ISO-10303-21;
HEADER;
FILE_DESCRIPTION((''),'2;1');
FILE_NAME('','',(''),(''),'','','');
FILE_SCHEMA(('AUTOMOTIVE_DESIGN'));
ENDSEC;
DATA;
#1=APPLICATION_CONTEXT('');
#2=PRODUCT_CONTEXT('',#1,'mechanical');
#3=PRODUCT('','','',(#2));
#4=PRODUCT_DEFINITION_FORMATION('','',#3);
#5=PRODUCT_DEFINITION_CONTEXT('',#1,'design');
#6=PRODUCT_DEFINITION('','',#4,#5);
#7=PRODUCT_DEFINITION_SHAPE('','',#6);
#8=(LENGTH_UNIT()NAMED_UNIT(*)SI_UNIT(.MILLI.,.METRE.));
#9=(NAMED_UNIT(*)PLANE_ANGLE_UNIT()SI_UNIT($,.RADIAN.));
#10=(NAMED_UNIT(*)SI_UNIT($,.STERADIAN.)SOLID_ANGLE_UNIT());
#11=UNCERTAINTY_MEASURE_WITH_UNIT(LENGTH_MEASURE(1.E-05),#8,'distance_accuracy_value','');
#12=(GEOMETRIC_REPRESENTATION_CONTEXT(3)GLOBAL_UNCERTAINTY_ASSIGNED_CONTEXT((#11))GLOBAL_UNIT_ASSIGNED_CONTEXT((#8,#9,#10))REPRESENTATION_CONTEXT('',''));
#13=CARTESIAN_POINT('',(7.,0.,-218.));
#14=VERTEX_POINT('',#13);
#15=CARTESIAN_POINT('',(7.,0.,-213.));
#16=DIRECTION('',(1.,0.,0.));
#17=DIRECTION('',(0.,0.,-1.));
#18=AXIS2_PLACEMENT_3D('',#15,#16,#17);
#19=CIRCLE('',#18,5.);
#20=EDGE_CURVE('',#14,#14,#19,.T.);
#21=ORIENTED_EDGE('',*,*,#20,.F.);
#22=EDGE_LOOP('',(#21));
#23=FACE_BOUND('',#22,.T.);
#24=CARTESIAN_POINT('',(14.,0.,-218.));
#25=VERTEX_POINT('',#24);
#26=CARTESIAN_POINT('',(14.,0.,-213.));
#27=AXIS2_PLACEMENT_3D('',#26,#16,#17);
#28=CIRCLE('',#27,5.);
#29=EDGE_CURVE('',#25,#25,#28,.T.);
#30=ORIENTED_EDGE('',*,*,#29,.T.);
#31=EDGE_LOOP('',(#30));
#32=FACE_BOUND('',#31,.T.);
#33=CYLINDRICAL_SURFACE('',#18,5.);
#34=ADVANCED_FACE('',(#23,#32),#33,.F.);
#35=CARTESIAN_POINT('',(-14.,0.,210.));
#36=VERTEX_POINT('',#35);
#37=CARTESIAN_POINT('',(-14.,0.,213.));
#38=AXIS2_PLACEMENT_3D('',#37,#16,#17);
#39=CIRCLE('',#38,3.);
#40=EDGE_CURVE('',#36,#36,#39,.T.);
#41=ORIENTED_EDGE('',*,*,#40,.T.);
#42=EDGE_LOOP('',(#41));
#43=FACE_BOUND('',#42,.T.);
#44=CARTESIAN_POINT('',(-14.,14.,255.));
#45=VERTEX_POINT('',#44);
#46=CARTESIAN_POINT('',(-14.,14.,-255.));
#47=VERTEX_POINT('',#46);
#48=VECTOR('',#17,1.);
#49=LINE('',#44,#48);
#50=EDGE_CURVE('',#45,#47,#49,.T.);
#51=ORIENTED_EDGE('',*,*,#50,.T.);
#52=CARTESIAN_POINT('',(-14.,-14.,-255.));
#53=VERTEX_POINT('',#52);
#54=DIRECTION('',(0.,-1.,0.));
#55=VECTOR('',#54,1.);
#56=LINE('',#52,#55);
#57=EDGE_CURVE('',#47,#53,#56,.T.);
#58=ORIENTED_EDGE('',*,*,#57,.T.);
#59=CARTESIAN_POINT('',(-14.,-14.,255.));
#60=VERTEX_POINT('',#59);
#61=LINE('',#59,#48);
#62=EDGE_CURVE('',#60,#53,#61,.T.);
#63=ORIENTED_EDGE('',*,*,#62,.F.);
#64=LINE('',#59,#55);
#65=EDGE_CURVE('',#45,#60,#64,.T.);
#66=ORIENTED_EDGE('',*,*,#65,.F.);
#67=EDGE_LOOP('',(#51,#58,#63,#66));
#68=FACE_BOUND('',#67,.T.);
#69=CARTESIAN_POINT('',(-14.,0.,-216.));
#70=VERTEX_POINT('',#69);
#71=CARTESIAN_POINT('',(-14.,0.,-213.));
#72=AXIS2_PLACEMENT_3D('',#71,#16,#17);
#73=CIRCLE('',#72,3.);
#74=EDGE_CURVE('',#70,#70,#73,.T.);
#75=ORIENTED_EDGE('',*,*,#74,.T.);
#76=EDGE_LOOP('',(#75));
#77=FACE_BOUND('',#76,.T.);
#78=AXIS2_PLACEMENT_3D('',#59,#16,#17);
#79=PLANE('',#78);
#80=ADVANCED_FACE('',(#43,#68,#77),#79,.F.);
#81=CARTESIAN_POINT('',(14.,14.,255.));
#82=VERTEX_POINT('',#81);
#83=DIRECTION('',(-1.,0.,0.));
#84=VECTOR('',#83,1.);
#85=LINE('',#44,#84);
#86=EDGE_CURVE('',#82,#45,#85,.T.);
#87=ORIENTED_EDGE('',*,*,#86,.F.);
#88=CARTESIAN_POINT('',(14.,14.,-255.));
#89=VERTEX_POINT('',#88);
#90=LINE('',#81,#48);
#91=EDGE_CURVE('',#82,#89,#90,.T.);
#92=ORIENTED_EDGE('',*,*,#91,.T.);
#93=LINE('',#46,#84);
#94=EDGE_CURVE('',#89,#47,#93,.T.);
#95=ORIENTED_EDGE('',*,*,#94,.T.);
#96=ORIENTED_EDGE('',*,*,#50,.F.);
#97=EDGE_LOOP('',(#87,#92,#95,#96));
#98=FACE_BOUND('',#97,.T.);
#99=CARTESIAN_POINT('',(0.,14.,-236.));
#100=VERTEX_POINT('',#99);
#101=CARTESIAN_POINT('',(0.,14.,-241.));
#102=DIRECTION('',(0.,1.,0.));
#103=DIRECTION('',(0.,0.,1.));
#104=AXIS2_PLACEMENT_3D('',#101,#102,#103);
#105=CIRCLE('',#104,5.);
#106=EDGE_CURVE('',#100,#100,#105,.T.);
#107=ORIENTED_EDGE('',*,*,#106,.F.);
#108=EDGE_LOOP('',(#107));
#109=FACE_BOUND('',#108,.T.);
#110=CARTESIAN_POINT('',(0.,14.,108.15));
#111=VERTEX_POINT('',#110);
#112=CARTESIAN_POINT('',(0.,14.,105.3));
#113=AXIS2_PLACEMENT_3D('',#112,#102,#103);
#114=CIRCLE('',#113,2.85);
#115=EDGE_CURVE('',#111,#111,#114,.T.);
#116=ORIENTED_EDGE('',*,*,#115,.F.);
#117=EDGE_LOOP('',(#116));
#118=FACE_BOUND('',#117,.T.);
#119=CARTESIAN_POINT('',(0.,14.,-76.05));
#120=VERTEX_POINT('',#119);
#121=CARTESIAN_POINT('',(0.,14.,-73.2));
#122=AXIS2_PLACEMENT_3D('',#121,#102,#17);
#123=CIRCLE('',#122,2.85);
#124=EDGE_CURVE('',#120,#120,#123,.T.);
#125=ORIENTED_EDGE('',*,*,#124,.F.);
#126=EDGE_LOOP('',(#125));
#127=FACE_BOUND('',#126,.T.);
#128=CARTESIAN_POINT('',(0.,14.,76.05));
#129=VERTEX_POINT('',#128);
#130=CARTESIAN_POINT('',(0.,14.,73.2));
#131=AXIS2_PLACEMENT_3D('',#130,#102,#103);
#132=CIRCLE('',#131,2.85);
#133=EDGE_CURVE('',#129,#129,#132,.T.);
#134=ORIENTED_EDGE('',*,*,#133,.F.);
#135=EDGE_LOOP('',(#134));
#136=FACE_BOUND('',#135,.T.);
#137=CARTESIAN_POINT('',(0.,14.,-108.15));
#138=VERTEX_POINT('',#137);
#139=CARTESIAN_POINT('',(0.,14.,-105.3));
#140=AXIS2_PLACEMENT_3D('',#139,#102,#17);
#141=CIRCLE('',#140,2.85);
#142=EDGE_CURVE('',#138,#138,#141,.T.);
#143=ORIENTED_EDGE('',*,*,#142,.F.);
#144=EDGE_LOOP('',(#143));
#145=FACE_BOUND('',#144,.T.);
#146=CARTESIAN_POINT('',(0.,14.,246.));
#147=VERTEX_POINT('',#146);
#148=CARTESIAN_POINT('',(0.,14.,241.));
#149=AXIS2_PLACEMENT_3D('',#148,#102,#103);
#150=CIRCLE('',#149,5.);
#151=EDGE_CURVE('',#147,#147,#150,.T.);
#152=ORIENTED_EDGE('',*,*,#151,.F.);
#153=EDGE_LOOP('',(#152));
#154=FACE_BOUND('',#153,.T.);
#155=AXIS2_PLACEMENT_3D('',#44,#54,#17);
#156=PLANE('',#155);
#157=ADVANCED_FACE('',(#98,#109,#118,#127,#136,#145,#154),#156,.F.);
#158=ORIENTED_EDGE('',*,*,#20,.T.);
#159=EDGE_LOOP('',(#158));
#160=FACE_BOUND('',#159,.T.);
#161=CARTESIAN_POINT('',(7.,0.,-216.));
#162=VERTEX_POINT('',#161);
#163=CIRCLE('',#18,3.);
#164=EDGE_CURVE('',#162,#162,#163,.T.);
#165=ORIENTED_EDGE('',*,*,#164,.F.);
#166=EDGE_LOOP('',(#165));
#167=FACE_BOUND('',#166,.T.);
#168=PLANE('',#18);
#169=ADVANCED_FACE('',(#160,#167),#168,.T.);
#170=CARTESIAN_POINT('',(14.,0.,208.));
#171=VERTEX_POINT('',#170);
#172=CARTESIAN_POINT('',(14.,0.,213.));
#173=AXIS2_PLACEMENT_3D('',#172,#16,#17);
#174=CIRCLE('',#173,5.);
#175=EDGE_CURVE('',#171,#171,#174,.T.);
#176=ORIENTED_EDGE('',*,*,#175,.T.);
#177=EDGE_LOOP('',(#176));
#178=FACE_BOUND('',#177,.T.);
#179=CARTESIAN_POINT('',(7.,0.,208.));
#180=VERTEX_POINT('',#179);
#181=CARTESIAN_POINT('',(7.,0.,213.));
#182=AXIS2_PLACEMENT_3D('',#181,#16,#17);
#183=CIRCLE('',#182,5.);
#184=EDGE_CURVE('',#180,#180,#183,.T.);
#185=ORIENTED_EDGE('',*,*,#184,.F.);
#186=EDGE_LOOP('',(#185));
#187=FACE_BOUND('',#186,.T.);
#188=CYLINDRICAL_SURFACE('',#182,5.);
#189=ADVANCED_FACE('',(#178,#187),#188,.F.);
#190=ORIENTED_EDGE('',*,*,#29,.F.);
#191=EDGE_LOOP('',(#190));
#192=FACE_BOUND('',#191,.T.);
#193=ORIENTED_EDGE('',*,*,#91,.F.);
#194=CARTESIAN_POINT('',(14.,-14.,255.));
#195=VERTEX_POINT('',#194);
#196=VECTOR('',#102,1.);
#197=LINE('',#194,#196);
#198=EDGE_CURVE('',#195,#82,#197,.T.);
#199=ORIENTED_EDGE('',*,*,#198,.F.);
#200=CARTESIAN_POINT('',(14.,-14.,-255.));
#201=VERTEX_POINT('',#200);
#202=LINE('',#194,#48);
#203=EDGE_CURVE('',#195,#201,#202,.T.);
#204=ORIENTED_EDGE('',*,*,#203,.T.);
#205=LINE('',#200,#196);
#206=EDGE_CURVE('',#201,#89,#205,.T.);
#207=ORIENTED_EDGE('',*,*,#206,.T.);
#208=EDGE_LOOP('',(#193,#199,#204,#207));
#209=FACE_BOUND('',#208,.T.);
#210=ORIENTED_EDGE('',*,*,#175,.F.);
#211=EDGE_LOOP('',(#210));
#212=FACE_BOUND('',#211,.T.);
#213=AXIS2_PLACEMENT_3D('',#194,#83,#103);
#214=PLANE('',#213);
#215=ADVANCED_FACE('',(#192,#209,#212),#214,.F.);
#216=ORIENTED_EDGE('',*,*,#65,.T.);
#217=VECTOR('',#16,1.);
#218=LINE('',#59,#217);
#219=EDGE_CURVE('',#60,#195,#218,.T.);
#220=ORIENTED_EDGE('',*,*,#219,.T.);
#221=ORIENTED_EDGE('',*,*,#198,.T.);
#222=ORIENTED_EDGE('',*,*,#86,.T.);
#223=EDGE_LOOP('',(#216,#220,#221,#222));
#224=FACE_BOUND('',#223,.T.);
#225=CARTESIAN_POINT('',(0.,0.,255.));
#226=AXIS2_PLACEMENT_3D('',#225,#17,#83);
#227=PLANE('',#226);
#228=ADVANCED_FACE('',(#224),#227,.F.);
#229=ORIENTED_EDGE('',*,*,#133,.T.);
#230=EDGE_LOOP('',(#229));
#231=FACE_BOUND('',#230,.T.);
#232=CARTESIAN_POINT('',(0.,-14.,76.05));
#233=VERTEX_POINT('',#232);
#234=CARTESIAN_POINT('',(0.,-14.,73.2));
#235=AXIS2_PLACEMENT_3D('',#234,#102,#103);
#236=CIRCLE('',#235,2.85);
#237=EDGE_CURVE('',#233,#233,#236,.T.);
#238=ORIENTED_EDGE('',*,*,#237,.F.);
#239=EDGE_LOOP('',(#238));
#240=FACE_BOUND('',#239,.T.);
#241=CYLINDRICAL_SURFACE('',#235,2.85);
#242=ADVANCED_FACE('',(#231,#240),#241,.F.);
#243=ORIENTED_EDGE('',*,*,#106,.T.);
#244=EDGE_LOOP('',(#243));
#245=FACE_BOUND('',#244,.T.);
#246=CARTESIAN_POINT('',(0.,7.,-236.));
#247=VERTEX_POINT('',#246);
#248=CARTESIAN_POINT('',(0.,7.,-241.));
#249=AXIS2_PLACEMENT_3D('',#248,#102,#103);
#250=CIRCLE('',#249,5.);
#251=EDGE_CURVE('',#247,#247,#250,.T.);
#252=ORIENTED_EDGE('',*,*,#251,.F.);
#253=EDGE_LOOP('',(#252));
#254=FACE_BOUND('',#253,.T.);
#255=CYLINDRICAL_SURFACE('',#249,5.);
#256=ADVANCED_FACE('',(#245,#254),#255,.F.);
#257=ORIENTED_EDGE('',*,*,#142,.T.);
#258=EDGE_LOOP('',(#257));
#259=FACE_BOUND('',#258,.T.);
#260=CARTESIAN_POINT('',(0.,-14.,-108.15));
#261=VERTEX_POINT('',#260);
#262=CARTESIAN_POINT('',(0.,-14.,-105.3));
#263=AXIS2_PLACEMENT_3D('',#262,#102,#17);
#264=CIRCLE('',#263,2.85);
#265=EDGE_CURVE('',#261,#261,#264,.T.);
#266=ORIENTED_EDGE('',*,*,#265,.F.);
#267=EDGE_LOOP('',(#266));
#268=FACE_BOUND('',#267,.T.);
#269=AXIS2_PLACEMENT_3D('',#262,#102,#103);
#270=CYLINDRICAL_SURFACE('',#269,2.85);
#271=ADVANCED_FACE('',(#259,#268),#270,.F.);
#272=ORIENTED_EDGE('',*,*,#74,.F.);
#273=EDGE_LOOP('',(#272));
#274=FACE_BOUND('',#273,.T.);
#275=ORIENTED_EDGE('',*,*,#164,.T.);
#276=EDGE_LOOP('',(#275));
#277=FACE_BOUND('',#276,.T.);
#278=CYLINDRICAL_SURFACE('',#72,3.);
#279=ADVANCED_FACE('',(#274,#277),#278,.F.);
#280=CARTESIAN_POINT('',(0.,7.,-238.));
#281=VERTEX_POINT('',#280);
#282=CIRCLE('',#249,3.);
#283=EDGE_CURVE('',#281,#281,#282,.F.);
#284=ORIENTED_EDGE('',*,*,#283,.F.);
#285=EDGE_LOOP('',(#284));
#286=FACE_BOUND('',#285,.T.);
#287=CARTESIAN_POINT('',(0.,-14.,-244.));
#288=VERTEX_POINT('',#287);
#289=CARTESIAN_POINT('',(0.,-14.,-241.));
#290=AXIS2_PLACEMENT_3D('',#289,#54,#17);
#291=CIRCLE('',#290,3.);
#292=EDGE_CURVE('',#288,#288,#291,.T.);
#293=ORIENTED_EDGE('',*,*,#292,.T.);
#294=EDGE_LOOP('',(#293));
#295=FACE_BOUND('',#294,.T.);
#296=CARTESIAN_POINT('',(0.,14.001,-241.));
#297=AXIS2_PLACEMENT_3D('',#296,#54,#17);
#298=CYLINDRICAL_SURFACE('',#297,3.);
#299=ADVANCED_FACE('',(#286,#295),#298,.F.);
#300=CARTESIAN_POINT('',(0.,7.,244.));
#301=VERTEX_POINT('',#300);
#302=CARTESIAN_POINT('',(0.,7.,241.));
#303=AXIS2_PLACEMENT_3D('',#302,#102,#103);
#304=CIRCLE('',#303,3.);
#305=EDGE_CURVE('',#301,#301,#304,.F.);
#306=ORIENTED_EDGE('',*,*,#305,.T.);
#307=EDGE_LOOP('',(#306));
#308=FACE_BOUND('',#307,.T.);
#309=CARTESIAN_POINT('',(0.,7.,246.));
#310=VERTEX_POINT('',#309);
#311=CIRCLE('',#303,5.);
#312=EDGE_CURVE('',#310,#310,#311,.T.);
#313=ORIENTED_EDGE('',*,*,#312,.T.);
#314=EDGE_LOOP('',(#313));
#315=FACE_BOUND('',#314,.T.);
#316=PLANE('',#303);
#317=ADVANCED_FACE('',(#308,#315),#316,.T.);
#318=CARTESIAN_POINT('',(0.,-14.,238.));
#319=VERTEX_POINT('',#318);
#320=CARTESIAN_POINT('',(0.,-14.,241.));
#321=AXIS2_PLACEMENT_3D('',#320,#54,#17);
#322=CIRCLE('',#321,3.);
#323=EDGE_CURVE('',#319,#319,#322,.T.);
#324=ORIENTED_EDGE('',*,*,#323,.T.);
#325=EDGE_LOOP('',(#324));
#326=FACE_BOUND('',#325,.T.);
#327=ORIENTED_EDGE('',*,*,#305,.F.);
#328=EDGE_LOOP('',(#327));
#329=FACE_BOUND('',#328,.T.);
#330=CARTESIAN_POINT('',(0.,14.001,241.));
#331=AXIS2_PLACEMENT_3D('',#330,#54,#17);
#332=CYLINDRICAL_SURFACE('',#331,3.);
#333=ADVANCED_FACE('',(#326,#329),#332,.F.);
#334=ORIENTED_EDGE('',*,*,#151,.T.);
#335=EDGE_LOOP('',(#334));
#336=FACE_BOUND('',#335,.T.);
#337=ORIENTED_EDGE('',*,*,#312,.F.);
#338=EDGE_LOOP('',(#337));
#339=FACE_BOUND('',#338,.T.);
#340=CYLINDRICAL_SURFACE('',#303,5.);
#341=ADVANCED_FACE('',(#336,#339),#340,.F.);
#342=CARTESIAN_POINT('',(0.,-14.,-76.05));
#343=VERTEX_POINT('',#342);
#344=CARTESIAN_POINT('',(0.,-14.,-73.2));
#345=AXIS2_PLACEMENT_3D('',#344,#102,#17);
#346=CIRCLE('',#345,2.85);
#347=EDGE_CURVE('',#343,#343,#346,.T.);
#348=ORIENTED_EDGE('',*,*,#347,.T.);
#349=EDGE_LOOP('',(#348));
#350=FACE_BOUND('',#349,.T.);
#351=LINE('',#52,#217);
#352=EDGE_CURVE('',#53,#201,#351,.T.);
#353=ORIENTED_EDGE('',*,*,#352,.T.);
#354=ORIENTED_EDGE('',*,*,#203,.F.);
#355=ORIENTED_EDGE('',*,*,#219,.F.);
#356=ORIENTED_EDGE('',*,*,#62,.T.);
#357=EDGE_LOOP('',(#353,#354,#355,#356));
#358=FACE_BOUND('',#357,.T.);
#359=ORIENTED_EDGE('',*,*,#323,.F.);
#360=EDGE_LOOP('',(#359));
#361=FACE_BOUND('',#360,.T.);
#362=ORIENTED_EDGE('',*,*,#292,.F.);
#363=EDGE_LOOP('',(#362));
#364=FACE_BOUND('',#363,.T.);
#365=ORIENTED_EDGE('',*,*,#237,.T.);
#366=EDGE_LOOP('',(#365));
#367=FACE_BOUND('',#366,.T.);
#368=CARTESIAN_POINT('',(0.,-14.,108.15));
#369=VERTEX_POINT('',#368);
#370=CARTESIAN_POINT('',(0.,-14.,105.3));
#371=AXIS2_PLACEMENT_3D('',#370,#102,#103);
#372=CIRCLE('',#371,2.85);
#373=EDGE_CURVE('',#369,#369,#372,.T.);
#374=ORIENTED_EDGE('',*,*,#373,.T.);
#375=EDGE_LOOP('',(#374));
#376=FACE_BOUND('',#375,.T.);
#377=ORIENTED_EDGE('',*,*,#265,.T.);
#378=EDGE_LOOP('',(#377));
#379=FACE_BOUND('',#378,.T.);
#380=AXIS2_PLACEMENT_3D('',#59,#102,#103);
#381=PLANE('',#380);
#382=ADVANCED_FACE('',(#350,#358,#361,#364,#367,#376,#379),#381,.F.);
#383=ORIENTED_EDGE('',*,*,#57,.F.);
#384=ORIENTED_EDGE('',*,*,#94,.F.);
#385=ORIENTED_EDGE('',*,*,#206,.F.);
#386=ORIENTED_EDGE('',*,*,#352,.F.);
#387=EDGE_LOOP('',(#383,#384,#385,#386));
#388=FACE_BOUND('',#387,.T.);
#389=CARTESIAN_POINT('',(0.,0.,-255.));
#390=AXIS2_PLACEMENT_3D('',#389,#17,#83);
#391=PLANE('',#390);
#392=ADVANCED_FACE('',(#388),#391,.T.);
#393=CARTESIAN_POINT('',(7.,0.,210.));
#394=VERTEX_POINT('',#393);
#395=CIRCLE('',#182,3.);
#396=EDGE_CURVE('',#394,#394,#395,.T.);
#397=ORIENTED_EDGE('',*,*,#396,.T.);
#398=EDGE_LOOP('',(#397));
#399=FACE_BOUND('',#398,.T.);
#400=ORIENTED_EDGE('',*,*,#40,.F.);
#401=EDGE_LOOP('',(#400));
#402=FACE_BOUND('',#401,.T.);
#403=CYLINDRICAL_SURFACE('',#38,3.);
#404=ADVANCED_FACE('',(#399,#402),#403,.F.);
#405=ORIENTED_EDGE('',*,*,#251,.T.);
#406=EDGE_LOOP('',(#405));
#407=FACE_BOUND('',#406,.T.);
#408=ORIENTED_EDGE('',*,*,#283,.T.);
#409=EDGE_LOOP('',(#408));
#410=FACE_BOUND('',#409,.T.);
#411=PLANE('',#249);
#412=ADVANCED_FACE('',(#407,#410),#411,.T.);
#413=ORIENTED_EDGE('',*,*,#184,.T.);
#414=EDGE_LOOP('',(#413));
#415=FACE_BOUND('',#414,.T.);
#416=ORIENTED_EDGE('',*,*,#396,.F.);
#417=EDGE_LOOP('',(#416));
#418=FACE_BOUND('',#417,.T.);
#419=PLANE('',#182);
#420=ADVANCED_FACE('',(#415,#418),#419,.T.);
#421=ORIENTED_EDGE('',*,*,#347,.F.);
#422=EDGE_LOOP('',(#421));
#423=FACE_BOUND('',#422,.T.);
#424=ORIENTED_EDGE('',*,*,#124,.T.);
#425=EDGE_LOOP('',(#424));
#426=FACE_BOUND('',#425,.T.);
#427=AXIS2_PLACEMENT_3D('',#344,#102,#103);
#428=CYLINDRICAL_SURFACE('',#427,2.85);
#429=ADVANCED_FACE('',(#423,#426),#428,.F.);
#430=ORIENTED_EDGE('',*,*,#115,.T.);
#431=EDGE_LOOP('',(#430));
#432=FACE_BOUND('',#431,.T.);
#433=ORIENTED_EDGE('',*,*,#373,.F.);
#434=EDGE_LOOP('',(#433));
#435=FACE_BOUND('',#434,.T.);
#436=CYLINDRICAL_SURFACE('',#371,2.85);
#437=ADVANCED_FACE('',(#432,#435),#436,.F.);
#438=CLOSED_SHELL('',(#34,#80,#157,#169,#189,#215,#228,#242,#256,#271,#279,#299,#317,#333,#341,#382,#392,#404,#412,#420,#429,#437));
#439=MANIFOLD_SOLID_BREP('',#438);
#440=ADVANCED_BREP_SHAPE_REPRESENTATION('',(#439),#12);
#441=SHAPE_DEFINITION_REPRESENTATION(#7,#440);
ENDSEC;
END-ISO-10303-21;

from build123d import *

# Parameters (mm, degrees)
IZIM1_W                     = 28
IZIM1_H                     = 28
Y_KSEKLIK_EKSTR_ZYON1_DEPTH = 255
IZIM2_R                     = 5
KES_EKSTR_ZYON1_DEPTH       = 7
KES_EKSTR_ZYON2_DEPTH       = 257.914382626
KES_EKSTR_ZYON2_DEPTH_BACK  = 257.914382626
IZIM3_R                     = 3
KES_EKSTR_ZYON3_REACH       = 258.914
IZIM4_R                     = 3
IZIM6_R                     = 5
KES_EKSTR_ZYON5_DEPTH       = 7
IZIM7_R                     = 2.85
KES_EKSTR_ZYON6_DEPTH       = 257.914382626


with BuildPart() as part:
    # Çizim1 → Yükseklik-Ekstrüzyon1 (new, symmetric)
    with BuildSketch(Plane.XY):
        Rectangle(IZIM1_W, IZIM1_H)
    extrude(amount=Y_KSEKLIK_EKSTR_ZYON1_DEPTH, both=True)

    # Çizim2 → Kes-Ekstrüzyon1 (cut)
    with BuildSketch(Plane(origin=(14, 0, 0), x_dir=(0, 0, -1), z_dir=(1, 0, 0))):
        with Locations((-213, 0)):
            Circle(IZIM2_R)
        with Locations((213, 0)):
            Circle(IZIM2_R)
    extrude(amount=-KES_EKSTR_ZYON1_DEPTH, mode=Mode.SUBTRACT)

    # Çizim3 → Kes-Ekstrüzyon2 (cut, two sides: drawn at the far end of the back side and taken through both)
    with BuildSketch(Plane(origin=(14, 0, 0), x_dir=(0, 0, -1), z_dir=(1, 0, 0)).offset(-KES_EKSTR_ZYON2_DEPTH_BACK)):
        with Locations((-213, 0)):
            Circle(IZIM3_R)
        with Locations((213, 0)):
            Circle(IZIM3_R)
    extrude(amount=KES_EKSTR_ZYON2_DEPTH + KES_EKSTR_ZYON2_DEPTH_BACK, mode=Mode.SUBTRACT)

    # Çizim4 → Kes-Ekstrüzyon3 (cut, up to next)
    with BuildSketch(Plane.XZ.offset(14), mode=Mode.PRIVATE) as kes_ekstr_zyon3_sk1:
        with Locations(Location((0, -241, 0), (0, 0, 270))):
            Circle(IZIM4_R)
    kes_ekstr_zyon3_tool1 = extrude(kes_ekstr_zyon3_sk1.sketch, amount=-KES_EKSTR_ZYON3_REACH, mode=Mode.PRIVATE) & part.part
    # Çizim4 → Kes-Ekstrüzyon3 (cut, up to next)
    with BuildSketch(Plane.XZ.offset(14), mode=Mode.PRIVATE) as kes_ekstr_zyon3_sk2:
        with Locations(Location((0, 241, 0), (0, 0, 270))):
            Circle(IZIM4_R)
    kes_ekstr_zyon3_tool2 = extrude(kes_ekstr_zyon3_sk2.sketch, amount=-KES_EKSTR_ZYON3_REACH, mode=Mode.PRIVATE) & part.part
    add(kes_ekstr_zyon3_tool1.solids().sort_by_distance((0, -14, -241))[0], mode=Mode.SUBTRACT)
    add(kes_ekstr_zyon3_tool2.solids().sort_by_distance((0, -14, 241))[0], mode=Mode.SUBTRACT)

    # Çizim6 → Kes-Ekstrüzyon5 (cut)
    with BuildSketch(Plane(origin=(0, 14, 0), x_dir=(1, 0, 0), z_dir=(0, 1, 0))):
        with Locations(Location((0, -241, 0), (0, 0, 270))):
            Circle(IZIM6_R)
        with Locations(Location((0, 241, 0), (0, 0, 270))):
            Circle(IZIM6_R)
    extrude(amount=-KES_EKSTR_ZYON5_DEPTH, mode=Mode.SUBTRACT)

    # Çizim7 → Kes-Ekstrüzyon6 (cut, through all)
    with BuildSketch(Plane(origin=(0, 14, 0), x_dir=(1, 0, 0), z_dir=(0, 1, 0))):
        with Locations(Location((0, -105.3, 0), (0, 0, 270))):
            Circle(IZIM7_R)
        with Locations(Location((0, -73.2, 0), (0, 0, 270))):
            Circle(IZIM7_R)
        with Locations(Location((0, 73.2, 0), (0, 0, 90))):
            Circle(IZIM7_R)
        with Locations(Location((0, 105.3, 0), (0, 0, 90))):
            Circle(IZIM7_R)
    extrude(amount=-KES_EKSTR_ZYON6_DEPTH, mode=Mode.SUBTRACT)


solid = part.part
